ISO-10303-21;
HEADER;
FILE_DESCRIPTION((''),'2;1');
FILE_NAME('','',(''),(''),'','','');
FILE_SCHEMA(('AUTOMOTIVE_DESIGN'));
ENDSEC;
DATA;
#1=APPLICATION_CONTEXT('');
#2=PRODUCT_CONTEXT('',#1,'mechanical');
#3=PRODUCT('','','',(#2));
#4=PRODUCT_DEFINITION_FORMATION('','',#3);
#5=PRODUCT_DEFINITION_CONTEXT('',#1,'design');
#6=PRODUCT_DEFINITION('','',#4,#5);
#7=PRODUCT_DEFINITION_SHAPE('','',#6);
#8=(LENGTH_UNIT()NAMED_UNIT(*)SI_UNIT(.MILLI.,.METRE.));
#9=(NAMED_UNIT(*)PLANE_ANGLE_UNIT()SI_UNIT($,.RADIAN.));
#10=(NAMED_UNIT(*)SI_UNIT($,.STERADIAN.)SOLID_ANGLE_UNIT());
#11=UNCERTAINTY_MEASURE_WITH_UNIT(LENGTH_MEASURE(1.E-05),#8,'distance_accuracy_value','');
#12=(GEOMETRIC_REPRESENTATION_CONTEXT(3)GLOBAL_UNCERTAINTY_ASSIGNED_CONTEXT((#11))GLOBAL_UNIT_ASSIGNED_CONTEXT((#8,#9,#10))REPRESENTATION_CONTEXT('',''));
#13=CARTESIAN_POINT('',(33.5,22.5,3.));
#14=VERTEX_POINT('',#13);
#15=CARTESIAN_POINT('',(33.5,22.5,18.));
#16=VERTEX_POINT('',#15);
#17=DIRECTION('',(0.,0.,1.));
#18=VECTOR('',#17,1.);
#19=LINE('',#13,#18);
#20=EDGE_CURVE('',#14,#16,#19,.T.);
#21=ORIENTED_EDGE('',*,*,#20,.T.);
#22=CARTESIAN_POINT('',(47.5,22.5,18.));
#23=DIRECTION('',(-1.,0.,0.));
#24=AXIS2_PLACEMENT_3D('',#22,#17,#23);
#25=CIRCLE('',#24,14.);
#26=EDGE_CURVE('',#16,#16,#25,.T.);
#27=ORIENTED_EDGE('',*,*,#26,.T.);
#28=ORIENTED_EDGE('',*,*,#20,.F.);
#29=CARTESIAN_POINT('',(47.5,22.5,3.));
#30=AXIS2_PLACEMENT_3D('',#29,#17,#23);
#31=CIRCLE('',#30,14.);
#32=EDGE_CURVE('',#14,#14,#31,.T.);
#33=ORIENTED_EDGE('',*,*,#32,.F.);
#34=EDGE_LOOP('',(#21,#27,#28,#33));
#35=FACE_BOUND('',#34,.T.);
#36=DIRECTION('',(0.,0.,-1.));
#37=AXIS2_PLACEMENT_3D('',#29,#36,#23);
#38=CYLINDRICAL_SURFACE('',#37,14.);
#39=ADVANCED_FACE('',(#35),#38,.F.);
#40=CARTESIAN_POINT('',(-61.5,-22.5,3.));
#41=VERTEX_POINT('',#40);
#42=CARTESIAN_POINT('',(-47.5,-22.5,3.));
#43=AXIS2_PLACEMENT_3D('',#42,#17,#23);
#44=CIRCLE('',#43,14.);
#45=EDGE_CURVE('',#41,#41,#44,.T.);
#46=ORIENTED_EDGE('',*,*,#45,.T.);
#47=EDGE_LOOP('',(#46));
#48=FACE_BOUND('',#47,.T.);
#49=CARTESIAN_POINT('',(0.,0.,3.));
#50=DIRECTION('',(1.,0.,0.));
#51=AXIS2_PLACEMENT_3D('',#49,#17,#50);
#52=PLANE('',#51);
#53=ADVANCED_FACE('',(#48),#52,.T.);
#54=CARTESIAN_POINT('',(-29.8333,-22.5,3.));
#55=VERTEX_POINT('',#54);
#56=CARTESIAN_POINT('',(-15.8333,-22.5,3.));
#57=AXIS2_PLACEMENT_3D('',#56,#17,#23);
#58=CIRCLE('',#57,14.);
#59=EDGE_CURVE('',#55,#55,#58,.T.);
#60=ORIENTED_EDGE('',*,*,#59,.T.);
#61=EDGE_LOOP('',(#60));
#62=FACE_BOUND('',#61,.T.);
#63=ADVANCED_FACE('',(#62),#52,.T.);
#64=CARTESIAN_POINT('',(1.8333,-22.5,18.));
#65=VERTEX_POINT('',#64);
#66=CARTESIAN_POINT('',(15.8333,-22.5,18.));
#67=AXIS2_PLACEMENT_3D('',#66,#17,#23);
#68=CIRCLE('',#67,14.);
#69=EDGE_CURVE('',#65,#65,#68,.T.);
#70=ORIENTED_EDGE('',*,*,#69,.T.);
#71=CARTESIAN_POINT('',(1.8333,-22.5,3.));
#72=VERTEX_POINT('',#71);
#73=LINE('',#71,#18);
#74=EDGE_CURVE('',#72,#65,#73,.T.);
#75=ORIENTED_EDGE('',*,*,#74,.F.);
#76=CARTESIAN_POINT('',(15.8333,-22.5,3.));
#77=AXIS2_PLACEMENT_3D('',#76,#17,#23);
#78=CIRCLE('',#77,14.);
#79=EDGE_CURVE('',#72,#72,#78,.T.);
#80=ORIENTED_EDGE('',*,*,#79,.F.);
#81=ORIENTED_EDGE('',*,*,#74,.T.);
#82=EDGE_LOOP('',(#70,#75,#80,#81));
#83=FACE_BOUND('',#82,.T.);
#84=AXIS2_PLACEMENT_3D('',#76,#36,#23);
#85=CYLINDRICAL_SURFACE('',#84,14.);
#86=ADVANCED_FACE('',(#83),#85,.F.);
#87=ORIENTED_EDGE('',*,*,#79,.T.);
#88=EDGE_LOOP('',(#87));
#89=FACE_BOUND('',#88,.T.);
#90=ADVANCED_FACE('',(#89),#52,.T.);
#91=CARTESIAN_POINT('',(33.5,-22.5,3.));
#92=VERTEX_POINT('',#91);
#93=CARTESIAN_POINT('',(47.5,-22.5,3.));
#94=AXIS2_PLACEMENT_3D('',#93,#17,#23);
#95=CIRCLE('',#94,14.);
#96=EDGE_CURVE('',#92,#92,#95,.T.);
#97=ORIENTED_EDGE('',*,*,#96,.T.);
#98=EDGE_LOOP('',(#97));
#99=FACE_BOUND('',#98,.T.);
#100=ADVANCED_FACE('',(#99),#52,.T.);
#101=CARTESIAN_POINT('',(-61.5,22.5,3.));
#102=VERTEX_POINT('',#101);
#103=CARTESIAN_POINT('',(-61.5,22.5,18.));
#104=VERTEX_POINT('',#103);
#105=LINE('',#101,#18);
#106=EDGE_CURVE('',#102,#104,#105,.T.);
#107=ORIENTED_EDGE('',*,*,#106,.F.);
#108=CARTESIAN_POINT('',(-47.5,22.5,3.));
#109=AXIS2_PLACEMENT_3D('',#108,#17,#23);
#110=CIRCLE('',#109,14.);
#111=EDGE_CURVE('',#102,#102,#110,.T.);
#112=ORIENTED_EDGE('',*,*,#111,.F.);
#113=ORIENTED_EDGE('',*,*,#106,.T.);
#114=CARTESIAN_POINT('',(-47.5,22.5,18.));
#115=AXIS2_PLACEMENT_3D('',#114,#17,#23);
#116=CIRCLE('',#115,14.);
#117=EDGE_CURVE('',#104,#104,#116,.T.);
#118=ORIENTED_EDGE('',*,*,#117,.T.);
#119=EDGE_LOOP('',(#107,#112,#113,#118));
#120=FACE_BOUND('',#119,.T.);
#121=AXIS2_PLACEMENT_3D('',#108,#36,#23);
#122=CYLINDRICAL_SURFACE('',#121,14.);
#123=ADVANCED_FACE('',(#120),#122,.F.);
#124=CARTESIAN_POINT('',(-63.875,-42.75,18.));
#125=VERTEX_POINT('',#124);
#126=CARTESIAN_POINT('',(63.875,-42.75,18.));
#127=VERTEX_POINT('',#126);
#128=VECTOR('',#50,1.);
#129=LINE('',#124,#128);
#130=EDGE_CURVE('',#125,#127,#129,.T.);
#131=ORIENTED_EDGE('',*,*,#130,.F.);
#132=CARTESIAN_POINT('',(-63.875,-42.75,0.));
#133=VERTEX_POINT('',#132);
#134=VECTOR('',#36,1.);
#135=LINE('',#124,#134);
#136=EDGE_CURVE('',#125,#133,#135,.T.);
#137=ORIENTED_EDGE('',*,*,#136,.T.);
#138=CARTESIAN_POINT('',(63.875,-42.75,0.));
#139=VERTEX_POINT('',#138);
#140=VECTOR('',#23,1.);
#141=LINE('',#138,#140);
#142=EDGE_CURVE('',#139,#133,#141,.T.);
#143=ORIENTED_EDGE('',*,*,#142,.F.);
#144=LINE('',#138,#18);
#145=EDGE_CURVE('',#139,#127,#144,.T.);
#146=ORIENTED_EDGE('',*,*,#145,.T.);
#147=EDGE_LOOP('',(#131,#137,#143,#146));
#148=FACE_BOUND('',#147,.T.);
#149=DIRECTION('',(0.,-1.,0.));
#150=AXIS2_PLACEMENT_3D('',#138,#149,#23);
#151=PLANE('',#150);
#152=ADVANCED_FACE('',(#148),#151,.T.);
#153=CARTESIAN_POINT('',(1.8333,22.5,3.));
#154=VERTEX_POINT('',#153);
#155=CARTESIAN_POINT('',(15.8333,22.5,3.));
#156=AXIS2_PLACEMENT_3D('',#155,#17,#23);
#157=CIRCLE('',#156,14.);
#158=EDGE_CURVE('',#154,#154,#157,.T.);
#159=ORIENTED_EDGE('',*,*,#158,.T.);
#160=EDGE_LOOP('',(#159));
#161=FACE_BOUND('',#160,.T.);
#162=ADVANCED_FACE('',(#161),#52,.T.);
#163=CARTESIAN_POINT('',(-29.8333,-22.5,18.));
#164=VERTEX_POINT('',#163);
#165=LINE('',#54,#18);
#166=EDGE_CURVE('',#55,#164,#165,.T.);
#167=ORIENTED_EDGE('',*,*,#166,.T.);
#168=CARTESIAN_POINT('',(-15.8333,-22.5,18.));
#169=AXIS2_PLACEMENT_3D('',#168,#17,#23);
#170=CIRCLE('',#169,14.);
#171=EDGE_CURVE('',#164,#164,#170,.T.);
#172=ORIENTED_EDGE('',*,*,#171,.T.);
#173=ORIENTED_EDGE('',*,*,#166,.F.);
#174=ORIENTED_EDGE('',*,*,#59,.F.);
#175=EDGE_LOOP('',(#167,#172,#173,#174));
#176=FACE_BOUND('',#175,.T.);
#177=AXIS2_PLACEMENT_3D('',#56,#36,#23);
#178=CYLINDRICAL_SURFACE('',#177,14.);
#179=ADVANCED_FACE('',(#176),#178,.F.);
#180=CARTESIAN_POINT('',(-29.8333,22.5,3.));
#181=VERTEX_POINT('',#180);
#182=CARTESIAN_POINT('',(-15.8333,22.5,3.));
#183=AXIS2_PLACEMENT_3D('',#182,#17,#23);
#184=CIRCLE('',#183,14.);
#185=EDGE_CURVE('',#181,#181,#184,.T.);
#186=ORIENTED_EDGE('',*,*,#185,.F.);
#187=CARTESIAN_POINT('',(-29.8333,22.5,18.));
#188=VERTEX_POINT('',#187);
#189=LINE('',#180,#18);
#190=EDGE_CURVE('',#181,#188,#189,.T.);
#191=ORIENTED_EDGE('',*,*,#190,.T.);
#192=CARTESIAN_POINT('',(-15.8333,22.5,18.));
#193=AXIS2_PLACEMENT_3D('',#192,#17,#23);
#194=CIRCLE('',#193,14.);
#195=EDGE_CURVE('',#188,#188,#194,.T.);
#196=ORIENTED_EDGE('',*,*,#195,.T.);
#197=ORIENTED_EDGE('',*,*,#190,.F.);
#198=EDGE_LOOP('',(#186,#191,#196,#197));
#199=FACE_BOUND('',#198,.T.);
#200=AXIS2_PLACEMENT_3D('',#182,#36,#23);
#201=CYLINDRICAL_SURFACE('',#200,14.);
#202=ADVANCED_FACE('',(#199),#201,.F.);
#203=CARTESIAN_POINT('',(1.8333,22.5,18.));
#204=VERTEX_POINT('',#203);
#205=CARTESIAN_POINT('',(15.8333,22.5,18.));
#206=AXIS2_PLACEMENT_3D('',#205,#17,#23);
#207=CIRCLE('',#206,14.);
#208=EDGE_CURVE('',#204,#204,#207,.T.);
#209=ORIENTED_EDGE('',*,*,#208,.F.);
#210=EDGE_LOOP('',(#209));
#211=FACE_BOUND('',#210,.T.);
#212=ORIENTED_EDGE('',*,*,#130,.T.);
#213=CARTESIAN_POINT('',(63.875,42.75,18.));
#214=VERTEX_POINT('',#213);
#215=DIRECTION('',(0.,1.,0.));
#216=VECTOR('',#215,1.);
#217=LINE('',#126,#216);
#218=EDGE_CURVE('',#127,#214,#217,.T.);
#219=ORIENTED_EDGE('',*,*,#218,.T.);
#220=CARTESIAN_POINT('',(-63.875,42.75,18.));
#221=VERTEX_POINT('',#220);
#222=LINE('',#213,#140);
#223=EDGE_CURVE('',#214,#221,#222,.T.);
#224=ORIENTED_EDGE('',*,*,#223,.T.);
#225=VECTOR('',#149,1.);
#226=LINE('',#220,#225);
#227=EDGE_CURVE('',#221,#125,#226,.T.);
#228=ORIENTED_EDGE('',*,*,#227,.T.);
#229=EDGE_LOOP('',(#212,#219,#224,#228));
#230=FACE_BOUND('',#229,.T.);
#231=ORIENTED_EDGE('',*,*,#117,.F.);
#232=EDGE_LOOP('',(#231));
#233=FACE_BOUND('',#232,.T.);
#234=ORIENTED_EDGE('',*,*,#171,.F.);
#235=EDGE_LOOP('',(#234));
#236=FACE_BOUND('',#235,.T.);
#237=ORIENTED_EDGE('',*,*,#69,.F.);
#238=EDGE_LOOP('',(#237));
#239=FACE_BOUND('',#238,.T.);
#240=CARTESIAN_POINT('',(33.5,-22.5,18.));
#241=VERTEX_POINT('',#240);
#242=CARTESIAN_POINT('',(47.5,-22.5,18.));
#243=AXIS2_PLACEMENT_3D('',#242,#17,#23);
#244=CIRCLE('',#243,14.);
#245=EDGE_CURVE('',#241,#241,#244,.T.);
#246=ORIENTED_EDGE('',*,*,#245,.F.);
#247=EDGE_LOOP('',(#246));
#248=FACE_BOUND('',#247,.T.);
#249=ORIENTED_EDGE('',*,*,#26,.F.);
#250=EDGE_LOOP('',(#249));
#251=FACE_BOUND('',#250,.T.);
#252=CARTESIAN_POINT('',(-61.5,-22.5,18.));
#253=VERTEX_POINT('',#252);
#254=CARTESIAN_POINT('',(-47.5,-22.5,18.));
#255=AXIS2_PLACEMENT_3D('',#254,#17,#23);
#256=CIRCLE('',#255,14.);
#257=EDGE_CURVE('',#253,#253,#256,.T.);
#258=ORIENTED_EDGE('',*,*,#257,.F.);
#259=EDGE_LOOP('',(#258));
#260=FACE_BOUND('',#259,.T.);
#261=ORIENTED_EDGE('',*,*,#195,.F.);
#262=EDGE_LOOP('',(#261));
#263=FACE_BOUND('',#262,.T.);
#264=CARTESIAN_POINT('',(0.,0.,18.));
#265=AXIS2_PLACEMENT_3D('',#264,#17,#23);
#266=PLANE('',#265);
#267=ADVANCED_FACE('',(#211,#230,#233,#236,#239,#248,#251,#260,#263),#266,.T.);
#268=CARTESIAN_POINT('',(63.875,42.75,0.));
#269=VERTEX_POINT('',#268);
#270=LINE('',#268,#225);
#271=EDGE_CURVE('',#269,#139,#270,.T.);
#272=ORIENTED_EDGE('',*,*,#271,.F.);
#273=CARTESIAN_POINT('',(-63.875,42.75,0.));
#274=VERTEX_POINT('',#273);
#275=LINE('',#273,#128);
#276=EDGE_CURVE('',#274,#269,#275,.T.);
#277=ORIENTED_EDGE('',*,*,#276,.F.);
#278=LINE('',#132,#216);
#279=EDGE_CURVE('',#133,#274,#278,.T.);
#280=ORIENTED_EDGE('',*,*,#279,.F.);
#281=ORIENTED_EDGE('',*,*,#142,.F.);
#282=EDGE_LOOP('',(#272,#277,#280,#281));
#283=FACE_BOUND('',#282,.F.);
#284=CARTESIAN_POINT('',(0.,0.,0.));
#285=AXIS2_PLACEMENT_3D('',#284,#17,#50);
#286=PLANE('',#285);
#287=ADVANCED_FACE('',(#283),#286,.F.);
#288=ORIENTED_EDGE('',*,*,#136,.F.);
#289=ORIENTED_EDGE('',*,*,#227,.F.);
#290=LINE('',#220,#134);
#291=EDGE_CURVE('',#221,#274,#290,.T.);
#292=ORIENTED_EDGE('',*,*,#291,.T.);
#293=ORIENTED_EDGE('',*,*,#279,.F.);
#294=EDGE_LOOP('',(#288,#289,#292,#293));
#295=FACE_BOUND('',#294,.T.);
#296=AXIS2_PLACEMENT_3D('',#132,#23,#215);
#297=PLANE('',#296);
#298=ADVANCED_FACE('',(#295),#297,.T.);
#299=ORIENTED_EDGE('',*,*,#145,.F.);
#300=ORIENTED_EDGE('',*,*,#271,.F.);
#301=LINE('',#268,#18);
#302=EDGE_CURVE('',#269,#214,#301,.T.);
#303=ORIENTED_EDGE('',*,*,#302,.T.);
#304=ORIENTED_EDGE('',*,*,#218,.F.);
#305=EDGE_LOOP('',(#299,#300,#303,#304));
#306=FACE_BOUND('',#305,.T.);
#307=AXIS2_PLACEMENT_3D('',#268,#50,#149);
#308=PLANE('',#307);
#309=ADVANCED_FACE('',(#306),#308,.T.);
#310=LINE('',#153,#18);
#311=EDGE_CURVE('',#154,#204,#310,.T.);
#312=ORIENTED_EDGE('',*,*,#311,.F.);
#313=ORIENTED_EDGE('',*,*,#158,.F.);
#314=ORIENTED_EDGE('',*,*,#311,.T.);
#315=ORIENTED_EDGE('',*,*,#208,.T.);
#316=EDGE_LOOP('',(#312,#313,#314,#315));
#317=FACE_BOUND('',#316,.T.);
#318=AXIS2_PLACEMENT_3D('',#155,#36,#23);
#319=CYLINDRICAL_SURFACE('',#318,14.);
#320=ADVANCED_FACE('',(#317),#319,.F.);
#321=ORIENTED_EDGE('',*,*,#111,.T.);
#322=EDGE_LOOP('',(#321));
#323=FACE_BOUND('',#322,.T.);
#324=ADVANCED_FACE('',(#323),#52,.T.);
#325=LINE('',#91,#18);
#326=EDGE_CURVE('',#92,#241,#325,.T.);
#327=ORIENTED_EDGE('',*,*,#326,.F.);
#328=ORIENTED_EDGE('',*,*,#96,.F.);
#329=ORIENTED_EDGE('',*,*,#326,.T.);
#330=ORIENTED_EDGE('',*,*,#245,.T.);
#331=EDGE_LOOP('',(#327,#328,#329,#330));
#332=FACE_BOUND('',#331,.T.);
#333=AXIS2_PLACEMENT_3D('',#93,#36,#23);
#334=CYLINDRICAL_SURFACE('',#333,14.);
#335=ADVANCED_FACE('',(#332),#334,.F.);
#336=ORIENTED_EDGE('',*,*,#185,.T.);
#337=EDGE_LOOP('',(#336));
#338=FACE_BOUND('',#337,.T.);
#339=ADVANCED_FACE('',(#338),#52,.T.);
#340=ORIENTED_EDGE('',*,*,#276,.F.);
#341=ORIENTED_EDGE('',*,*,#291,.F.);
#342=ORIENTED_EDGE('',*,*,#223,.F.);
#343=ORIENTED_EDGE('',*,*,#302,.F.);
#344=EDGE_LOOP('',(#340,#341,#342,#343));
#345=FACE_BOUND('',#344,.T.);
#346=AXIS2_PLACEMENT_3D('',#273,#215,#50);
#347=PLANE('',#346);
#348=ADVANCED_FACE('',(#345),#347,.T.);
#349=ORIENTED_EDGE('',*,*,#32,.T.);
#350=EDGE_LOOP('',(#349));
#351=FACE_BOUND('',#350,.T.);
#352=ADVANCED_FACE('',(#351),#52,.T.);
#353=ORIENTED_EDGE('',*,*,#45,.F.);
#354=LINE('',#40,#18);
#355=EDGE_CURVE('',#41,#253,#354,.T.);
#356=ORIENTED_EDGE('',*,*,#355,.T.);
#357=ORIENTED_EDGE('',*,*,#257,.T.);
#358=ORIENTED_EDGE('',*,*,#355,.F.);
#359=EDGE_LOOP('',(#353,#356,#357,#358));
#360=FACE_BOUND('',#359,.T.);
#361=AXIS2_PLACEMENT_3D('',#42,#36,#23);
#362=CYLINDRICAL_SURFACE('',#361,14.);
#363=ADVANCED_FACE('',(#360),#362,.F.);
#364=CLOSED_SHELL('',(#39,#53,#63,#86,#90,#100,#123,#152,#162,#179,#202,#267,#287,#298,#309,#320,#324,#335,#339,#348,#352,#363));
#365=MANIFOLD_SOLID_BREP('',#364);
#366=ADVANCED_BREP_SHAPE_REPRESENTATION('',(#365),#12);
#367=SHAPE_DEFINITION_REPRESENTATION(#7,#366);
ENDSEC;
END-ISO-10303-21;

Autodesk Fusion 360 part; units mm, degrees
sketch "Sketch1" plane through (0, 0, 0) normal (0, 0, 1) x (1, 0, 0)
  line L0 (63.875, -42.75) -> (-63.875, -42.75)
  line L1 (-63.875, -42.75) -> (-63.875, 42.75)
  line L2 (-63.875, 42.75) -> (63.875, 42.75)
  line L3 (63.875, 42.75) -> (63.875, -42.75)
  line L4 (63.875, -42.75) -> (-63.875, 42.75) construction
  line L5 (-63.875, -42.75) -> (63.875, 42.75) construction
  dimension "d1" = 127.75
  dimension "d2" = 85.5
extrude "Extrude1" add sketch "Sketch1" along normal blind 3
sketch "Sketch2" plane through (0, 0, 3) normal (0, 0, 1) x (-1, 0, 0)
  line L0 (-63.875, -42.75) -> (63.875, -42.75)
  line L1 (63.875, -42.75) -> (63.875, 42.75)
  line L2 (63.875, 42.75) -> (-63.875, 42.75)
  line L3 (-63.875, 42.75) -> (-63.875, -42.75)
  line L4 (-63.875, -42.75) -> (-63.875, 42.75)
  line L5 (-63.875, 42.75) -> (63.875, 42.75)
  line L6 (63.875, 42.75) -> (63.875, -42.75)
  line L7 (63.875, -42.75) -> (-63.875, -42.75)
  line L8 (0, 0) -> (47.5, 0) construction
  line L9 (47.5, 0) -> (47.5, -22.5) construction
  circle A0 centre (47.5, -22.5) radius 13.5
  circle A1 centre (47.5, -22.5) radius 14
  circle A2 centre (15.8333, -22.5) radius 14
  circle A3 centre (-15.8333, -22.5) radius 14
  circle A4 centre (-47.5, -22.5) radius 14
  circle A5 centre (47.5, 22.5) radius 14
  circle A6 centre (15.8333, 22.5) radius 14
  circle A7 centre (-15.8333, 22.5) radius 14
  circle A8 centre (-47.5, 22.5) radius 14
  dimension "d5" = 47.5
  dimension "d6" = 22.5
  dimension "d7" = 27
  dimension "d8" = 0.5
  dimension "d15" = -95
  dimension "d16" = 45
extrude "Extrude2" add sketch "Sketch2" along normal blind 15 contours L0 L1 L2 L3 L4 L5 L6 L7
